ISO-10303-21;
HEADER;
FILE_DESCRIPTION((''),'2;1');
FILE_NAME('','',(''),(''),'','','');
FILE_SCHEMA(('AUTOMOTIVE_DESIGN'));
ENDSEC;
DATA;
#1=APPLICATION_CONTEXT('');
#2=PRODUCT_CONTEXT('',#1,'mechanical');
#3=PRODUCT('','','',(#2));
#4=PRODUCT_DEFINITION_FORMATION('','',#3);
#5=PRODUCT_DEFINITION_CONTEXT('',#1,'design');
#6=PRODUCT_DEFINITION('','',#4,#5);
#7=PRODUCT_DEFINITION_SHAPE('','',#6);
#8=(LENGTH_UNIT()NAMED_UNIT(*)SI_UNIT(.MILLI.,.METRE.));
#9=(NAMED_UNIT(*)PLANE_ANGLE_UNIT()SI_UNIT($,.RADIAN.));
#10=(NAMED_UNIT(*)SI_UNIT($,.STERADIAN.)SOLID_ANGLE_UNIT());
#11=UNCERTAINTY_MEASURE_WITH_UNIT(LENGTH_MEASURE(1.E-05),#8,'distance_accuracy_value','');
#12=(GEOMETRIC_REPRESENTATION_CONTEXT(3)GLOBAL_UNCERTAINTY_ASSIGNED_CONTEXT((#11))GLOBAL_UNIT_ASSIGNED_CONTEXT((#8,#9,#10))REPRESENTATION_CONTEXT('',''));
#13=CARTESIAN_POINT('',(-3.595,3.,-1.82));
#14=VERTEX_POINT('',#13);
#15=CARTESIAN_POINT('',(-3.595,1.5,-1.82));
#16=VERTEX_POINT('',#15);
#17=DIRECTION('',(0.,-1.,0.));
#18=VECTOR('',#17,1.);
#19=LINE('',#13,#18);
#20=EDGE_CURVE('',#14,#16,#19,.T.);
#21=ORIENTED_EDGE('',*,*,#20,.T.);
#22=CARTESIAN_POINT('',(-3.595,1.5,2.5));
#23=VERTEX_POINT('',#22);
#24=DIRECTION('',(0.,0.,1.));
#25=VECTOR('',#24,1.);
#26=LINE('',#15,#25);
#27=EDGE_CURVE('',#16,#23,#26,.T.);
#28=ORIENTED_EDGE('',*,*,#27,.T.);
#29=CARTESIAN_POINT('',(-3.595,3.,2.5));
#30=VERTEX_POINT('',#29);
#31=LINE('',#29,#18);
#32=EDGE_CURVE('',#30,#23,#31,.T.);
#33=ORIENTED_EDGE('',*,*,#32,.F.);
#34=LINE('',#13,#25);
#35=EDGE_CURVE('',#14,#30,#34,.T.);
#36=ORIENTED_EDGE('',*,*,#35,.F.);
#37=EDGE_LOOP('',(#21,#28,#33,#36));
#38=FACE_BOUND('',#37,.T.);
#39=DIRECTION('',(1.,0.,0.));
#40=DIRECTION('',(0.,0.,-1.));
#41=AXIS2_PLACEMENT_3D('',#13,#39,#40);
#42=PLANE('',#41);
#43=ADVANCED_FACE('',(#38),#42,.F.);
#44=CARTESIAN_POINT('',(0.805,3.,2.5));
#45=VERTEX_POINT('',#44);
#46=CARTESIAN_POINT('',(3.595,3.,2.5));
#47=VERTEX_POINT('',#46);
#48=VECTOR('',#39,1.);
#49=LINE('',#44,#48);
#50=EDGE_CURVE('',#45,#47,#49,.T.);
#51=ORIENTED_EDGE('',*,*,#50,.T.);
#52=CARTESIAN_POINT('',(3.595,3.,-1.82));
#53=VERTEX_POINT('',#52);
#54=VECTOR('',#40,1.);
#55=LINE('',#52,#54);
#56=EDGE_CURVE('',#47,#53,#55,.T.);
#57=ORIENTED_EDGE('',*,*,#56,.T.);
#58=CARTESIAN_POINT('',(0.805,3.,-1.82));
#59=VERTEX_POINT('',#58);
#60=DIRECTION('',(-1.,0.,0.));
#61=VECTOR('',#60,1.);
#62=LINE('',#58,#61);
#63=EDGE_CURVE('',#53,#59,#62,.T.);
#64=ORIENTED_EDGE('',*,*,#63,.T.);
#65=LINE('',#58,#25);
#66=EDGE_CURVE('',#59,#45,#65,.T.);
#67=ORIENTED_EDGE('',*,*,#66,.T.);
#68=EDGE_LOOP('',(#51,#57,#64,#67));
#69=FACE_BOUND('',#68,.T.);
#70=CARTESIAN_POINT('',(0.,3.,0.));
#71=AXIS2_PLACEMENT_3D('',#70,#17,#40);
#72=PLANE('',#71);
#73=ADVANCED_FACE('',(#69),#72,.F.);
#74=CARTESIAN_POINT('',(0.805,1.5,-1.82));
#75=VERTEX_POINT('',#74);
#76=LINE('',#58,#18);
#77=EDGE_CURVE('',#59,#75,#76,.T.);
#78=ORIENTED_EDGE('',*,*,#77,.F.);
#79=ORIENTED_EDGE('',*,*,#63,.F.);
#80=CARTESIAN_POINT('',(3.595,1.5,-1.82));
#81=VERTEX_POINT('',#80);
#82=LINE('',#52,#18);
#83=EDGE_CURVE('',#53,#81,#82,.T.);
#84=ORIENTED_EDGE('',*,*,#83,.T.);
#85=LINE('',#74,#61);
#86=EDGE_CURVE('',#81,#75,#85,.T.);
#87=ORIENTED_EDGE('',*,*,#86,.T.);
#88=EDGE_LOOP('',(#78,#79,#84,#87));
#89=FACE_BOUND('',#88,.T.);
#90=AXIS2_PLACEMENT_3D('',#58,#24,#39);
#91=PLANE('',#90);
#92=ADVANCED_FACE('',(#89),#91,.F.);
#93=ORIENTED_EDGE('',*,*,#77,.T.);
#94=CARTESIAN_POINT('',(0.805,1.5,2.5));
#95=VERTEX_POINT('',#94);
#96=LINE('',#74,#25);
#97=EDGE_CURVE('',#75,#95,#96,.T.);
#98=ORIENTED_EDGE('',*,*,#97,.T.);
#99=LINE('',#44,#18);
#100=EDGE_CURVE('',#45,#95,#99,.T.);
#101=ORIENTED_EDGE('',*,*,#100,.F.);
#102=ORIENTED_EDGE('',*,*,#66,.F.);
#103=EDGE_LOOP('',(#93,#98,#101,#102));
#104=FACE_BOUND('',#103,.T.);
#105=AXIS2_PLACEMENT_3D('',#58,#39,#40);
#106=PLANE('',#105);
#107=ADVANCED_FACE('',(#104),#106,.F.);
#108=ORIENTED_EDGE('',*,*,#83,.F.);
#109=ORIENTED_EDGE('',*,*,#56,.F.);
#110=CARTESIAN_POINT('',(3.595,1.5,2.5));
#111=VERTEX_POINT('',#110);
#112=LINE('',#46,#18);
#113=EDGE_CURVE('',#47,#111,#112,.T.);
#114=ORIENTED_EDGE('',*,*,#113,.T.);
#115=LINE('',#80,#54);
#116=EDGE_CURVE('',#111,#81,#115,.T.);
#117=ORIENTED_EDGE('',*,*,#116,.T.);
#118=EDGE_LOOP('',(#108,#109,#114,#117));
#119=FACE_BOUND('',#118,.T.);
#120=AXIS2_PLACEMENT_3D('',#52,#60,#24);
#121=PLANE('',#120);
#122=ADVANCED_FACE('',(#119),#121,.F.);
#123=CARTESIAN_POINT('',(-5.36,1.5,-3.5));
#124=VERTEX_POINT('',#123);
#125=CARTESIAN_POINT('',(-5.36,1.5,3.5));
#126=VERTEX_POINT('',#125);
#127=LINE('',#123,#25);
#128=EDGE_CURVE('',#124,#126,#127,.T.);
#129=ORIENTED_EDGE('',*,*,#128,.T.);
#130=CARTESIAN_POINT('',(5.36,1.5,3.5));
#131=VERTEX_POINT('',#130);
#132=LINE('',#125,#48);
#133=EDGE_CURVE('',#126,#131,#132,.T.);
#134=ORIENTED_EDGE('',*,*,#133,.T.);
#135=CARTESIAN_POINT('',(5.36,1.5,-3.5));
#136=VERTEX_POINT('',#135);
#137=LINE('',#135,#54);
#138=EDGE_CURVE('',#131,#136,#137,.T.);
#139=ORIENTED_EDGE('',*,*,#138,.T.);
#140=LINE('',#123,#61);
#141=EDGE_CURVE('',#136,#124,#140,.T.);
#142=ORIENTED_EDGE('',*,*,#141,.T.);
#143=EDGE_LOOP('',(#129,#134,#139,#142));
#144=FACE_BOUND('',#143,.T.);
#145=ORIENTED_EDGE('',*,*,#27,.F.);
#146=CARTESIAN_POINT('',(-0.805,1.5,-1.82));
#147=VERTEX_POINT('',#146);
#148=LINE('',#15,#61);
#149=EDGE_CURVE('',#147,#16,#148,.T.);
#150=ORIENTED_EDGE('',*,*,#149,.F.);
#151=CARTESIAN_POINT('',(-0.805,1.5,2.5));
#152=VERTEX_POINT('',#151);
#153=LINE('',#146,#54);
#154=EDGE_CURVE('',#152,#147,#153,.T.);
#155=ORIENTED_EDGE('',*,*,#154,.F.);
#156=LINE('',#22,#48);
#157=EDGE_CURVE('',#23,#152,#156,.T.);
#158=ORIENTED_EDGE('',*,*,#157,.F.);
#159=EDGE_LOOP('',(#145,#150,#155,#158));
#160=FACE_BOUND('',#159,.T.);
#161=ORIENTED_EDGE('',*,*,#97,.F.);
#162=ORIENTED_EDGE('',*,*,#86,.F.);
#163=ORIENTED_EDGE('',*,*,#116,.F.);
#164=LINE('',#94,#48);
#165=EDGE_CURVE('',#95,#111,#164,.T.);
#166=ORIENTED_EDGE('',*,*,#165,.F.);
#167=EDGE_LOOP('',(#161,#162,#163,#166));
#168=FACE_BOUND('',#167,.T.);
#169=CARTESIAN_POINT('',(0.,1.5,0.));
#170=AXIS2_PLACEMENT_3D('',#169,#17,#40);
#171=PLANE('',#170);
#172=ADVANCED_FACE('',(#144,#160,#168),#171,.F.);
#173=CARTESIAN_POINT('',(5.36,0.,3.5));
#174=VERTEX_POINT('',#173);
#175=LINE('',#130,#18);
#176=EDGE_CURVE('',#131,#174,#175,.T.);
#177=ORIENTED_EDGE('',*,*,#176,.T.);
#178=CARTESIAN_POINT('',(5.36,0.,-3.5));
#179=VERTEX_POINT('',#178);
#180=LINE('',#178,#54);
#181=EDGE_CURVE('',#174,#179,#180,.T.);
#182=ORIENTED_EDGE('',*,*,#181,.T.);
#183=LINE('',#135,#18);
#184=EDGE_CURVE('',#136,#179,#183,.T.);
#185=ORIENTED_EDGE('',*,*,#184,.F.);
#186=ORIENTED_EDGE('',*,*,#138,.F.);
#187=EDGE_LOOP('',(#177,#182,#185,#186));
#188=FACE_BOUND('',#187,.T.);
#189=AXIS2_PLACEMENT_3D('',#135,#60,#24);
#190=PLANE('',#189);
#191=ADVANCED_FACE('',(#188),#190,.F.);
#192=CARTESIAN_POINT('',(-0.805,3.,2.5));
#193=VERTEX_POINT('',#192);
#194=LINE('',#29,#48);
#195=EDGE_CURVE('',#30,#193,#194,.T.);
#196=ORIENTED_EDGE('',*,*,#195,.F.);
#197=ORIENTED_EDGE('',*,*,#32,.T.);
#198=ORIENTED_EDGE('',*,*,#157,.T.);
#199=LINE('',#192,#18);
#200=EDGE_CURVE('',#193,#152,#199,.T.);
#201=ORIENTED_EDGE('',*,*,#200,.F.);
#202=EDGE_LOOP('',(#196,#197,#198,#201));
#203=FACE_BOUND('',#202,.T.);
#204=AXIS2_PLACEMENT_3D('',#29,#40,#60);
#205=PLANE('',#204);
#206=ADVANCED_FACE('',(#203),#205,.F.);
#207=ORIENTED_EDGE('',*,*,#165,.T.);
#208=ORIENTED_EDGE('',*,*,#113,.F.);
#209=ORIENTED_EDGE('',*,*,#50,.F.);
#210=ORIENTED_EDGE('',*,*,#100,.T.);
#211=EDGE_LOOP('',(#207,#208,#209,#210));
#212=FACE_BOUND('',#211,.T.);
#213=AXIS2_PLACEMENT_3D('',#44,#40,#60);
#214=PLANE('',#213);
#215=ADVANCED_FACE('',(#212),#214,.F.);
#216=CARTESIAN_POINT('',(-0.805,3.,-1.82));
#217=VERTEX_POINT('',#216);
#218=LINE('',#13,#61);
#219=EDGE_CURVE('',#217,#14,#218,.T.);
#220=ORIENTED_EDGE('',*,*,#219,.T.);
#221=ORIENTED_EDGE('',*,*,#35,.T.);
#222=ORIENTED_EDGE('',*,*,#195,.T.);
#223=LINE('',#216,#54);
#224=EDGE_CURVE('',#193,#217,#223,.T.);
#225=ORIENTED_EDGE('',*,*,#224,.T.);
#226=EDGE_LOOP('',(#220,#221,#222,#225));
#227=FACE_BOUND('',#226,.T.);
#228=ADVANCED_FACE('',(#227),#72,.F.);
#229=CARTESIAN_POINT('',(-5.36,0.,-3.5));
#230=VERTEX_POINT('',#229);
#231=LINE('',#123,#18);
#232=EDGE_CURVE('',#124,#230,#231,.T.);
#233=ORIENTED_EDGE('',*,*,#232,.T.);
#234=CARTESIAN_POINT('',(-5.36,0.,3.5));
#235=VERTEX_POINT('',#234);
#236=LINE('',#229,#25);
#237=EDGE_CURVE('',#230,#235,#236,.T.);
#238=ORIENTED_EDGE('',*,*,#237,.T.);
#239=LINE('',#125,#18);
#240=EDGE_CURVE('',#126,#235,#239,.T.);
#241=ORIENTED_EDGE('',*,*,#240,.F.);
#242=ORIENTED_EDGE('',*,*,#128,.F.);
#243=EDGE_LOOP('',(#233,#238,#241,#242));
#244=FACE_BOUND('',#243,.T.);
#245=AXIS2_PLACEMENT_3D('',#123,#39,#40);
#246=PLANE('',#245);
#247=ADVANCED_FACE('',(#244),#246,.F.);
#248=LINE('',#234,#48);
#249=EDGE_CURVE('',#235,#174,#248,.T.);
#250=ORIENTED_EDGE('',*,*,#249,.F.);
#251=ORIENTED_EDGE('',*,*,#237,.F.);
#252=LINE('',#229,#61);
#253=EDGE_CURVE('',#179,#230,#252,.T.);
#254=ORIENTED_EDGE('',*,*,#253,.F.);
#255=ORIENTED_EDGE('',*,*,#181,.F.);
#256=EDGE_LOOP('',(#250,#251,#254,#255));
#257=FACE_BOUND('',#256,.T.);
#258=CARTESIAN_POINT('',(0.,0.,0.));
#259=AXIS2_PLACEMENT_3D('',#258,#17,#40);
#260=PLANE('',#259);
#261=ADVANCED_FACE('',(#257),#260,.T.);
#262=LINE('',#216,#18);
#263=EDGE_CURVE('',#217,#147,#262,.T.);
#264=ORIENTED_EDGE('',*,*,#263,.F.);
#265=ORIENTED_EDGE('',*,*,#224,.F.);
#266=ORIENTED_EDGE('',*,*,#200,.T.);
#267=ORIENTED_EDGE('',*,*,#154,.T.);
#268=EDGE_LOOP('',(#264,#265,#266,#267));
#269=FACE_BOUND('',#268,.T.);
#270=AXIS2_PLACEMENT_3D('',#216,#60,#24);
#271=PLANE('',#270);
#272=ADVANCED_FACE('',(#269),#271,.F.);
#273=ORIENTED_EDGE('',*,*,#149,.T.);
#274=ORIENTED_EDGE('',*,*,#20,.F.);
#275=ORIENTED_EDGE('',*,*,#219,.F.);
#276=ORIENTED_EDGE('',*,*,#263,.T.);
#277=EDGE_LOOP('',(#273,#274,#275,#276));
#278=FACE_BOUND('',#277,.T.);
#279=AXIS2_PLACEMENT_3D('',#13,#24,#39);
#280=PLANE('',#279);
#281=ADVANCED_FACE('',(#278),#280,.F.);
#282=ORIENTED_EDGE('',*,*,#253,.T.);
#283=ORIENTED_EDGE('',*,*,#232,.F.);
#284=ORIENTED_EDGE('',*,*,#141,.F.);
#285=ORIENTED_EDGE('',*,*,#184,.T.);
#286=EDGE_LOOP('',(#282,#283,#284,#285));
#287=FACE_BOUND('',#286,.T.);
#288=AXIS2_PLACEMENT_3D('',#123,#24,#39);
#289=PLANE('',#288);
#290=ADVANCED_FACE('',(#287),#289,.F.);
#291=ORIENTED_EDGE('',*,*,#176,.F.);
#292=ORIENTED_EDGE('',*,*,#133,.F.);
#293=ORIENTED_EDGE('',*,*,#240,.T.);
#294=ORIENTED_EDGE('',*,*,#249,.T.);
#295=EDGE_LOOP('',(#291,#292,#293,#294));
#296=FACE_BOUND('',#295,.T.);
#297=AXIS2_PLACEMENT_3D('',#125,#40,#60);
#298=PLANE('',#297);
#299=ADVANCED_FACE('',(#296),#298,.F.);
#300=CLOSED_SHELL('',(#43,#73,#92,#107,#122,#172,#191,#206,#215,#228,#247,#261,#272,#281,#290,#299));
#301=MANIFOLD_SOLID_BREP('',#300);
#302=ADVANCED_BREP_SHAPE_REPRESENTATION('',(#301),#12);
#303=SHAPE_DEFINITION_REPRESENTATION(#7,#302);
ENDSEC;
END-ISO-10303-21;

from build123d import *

# Parameters (mm, degrees)
SKETCH1_W           = 10.72
SKETCH1_H           = 7
BOSS_EXTRUDE1_DEPTH = 1.5
SKETCH2_W           = 2.79
SKETCH2_H           = 4.32
BOSS_EXTRUDE2_DEPTH = 1.5


with BuildPart() as part:
    # Sketch1 → Boss-Extrude1 (new body)
    with BuildSketch(Plane(origin=(0, 0, 0), x_dir=(1, 0, 0), z_dir=(0, 1, 0))):
        Rectangle(SKETCH1_W, SKETCH1_H)
    extrude(amount=BOSS_EXTRUDE1_DEPTH)

    # Sketch2 → Boss-Extrude2 (add)
    with BuildSketch(Plane(origin=(0, 1.5, 0), x_dir=(1, 0, 0), z_dir=(0, 1, 0))):
        with Locations((-2.2, -0.34)):
            Rectangle(SKETCH2_W, SKETCH2_H)
        with Locations((2.2, -0.34)):
            Rectangle(SKETCH2_W, SKETCH2_H)
    extrude(amount=BOSS_EXTRUDE2_DEPTH)


solid = part.part
